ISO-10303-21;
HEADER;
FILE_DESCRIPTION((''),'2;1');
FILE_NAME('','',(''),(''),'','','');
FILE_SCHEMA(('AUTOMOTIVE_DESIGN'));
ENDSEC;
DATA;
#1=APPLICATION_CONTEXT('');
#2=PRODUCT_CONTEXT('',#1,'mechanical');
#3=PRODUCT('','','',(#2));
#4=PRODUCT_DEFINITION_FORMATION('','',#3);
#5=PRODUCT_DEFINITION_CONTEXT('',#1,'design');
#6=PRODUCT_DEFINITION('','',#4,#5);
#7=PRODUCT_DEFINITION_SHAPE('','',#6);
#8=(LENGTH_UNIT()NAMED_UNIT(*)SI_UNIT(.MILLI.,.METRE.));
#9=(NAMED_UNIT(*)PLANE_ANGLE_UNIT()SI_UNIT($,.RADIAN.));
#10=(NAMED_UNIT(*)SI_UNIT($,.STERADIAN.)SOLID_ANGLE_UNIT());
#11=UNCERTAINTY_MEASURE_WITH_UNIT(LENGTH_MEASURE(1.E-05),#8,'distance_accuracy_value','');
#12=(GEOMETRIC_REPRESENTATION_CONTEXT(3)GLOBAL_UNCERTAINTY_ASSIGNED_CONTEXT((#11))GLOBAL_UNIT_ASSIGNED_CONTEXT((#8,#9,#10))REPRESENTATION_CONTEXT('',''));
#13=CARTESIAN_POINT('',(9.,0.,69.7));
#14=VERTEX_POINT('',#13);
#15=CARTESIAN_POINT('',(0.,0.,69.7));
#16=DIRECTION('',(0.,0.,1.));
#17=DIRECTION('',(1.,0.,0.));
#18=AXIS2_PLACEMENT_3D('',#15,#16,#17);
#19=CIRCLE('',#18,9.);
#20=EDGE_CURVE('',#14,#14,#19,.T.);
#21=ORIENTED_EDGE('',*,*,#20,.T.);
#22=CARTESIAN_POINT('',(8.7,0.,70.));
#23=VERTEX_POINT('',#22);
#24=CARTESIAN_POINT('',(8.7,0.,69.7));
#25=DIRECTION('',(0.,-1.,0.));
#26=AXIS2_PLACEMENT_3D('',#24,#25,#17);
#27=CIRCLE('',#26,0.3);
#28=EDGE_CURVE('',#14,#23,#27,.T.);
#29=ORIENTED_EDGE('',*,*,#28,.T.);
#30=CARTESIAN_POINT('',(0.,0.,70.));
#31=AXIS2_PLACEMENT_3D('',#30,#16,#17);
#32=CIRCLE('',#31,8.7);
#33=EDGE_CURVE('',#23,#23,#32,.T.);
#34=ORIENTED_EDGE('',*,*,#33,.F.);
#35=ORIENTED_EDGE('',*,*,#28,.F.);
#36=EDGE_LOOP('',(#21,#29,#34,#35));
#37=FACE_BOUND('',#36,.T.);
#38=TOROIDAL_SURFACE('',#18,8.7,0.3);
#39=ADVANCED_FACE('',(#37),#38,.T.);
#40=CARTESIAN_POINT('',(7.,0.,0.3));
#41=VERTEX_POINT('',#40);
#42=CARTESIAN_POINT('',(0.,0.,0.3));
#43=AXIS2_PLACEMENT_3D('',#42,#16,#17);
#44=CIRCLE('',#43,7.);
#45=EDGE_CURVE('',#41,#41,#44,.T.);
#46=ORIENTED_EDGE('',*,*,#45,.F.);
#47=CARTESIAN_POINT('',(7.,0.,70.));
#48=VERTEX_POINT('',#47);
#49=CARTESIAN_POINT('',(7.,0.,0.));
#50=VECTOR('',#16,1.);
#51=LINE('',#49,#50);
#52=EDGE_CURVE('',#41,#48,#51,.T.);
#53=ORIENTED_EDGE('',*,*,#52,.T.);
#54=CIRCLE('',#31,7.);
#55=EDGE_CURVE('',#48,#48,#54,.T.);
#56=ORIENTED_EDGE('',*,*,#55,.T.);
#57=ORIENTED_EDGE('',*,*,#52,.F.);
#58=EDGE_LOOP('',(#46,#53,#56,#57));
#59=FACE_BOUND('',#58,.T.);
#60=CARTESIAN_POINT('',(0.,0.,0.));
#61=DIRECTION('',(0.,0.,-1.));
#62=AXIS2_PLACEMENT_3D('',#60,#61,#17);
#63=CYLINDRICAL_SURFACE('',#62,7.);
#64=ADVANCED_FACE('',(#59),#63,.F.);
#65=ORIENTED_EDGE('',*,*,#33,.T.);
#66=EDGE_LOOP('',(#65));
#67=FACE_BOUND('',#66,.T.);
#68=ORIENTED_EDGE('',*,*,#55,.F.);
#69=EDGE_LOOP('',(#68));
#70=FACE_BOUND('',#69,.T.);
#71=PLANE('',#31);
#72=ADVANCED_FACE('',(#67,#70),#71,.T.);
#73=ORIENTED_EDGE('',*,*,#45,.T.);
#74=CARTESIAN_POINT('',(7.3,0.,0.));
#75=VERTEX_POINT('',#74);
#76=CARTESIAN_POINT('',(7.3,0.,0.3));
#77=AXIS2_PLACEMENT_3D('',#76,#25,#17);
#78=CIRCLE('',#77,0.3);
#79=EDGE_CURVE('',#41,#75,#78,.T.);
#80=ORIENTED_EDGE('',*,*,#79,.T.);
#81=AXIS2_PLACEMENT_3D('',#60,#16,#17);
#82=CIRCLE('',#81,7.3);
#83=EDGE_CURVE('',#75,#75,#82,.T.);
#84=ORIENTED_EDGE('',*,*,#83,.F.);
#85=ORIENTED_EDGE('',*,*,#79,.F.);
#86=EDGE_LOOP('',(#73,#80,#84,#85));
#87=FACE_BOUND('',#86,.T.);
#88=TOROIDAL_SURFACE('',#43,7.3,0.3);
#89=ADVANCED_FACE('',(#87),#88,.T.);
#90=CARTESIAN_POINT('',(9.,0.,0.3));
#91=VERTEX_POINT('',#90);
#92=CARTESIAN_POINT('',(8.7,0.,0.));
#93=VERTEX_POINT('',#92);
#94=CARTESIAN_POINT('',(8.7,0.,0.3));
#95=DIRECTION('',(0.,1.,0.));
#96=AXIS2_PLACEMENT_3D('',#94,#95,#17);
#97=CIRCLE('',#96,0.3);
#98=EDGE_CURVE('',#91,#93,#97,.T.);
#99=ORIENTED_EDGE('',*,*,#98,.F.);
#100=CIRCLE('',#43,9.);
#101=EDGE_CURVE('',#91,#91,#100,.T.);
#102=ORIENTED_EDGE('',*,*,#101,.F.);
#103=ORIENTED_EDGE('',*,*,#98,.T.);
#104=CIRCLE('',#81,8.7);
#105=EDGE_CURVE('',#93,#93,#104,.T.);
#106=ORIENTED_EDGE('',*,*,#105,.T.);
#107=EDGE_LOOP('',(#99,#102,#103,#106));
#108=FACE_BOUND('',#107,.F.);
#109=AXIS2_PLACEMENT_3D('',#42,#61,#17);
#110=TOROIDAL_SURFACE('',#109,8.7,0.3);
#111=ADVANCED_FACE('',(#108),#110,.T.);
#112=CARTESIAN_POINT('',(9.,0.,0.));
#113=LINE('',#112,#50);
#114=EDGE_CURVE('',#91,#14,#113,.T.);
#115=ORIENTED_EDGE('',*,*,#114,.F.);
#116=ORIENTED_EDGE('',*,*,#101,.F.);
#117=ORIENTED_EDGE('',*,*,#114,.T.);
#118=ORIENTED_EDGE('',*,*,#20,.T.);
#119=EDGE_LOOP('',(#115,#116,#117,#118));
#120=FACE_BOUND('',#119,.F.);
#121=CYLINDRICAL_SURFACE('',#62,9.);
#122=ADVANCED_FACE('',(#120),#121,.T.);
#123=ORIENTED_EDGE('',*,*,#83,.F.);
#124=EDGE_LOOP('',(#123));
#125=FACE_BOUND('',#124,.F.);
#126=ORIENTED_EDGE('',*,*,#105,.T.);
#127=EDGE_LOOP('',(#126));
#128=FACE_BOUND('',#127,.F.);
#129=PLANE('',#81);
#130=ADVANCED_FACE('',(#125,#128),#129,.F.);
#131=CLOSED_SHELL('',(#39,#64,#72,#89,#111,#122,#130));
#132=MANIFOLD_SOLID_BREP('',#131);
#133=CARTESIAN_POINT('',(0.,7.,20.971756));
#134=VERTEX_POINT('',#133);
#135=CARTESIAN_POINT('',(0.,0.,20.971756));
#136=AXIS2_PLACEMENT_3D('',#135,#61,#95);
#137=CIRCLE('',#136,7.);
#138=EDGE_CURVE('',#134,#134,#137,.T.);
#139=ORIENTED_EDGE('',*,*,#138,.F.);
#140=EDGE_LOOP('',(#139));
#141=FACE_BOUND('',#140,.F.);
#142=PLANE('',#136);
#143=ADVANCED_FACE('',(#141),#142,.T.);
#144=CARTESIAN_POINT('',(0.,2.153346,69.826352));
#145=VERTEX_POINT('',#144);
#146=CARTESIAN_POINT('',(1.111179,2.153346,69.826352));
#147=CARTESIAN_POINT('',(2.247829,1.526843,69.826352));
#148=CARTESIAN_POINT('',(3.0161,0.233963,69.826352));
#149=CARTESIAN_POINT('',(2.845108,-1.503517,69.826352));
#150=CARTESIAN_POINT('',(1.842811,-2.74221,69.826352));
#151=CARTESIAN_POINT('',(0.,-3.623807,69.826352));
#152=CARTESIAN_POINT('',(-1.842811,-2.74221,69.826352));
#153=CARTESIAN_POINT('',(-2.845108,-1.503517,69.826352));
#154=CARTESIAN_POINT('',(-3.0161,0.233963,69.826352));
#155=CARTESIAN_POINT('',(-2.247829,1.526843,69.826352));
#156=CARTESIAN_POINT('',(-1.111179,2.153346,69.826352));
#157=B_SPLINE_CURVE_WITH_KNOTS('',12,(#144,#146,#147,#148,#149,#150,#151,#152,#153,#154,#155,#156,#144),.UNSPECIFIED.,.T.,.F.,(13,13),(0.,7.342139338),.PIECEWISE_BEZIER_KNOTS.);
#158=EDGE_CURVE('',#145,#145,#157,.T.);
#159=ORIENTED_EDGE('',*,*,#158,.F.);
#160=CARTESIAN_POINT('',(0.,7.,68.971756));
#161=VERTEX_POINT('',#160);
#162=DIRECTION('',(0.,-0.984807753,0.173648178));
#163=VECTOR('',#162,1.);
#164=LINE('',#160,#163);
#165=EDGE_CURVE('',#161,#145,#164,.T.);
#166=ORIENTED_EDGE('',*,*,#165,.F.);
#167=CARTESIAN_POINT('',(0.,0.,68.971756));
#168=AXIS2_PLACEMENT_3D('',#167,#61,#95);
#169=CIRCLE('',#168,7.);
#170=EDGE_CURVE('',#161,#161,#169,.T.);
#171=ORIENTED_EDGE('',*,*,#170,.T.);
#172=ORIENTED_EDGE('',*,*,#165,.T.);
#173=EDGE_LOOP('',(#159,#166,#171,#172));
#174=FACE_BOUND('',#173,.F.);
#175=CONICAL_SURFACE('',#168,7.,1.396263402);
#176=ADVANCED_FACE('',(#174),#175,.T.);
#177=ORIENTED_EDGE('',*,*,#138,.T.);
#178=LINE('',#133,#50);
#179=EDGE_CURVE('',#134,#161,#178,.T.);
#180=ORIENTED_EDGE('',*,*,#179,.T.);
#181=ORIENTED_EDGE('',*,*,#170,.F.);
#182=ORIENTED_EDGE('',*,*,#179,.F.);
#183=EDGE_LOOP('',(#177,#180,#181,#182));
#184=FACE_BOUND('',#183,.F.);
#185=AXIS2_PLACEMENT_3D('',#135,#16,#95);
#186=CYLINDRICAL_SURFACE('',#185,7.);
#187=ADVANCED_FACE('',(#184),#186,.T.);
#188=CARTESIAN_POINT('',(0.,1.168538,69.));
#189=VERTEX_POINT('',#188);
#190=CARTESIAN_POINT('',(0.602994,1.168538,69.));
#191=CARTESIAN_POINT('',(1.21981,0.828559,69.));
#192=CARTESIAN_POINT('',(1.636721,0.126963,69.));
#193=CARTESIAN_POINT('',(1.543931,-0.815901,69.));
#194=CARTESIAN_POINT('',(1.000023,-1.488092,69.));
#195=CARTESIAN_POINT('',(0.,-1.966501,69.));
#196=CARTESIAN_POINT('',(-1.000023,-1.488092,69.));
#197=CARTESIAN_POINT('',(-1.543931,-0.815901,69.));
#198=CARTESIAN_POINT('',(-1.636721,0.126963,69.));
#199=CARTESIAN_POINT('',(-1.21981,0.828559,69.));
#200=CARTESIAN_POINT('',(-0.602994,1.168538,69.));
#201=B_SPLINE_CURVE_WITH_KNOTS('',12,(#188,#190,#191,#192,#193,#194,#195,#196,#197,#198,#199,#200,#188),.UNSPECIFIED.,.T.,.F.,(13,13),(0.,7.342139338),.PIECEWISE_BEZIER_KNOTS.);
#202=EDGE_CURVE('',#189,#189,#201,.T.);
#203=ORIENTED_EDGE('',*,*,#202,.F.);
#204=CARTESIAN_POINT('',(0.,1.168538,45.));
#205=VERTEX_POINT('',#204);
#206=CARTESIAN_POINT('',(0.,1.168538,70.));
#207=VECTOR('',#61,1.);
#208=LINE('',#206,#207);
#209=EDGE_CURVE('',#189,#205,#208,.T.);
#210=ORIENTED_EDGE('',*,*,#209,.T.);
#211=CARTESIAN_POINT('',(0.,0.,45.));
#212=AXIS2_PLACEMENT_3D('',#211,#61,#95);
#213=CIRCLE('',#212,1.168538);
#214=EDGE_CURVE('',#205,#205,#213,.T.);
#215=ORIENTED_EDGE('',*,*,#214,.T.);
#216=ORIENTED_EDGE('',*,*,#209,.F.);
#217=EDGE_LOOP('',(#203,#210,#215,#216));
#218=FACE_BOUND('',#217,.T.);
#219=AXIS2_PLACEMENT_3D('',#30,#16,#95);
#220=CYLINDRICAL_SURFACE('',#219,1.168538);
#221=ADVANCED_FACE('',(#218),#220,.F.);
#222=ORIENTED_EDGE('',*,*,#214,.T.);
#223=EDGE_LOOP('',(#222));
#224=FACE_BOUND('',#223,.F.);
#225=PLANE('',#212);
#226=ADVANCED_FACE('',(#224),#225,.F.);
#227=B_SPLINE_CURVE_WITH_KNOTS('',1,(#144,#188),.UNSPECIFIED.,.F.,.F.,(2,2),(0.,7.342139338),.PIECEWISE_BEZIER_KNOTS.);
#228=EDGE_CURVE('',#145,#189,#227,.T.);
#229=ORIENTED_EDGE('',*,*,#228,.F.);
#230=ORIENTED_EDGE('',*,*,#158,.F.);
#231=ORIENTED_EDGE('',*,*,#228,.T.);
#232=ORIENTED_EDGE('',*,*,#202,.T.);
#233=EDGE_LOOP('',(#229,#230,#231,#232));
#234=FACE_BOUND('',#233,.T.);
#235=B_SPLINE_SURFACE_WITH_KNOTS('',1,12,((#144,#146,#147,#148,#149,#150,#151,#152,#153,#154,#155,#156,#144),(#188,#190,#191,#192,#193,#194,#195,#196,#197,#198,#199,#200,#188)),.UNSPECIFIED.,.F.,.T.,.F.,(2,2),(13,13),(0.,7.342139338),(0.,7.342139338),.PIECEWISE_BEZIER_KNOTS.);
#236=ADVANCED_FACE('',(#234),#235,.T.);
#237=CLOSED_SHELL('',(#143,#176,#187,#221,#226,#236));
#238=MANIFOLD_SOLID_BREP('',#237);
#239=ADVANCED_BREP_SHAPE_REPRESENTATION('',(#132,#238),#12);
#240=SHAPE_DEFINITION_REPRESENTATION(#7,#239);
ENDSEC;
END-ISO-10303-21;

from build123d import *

# Parameters (mm, degrees)
F0_R     = 9
F0_R_2   = 7
F1_DEPTH = 70
F4_DEPTH = 25
F5_SIZE  = 1
F6_R     = 0.3


with BuildPart() as f1:
    # F0 (on Top) → F1 (new body)
    with BuildSketch(Plane.XY):
        Circle(F0_R)
        Circle(F0_R_2, mode=Mode.SUBTRACT)
    extrude(amount=F1_DEPTH)

    # F6
    f6_edges = [f1.edges().sort_by_distance(p)[0] for p in [
        (-9, 0, 70),
        (-9, 0, 0),
        (-7, 0, 0),
    ]]
    fillet(f6_edges, radius=F6_R)


with BuildPart() as f3:
    # F2 (on Right) → F3 (revolve)
    with BuildSketch(Plane.YZ):
        Polygon((7, 20.9717558716), (7, 68.9717558716), (1.1685377685, 70), (0, 70), (0, 20.9717558716), align=None)
    revolve(axis=Axis((0, 0, 45.4858779358), (0, 0, -1)))

    # F4 (cut): a face of the model
    f4_faces = [f3.faces().sort_by_distance(p)[0] for p in [
        (0, 0, 70),
    ]]
    extrude(f4_faces, amount=-F4_DEPTH, mode=Mode.SUBTRACT)

    # F5
    f5_edges = [f3.edges().sort_by_distance(p)[0] for p in [
        (0, -1.168538, 70),
    ]]
    chamfer(f5_edges, length=F5_SIZE)


solid = Compound([f1.part, f3.part])
